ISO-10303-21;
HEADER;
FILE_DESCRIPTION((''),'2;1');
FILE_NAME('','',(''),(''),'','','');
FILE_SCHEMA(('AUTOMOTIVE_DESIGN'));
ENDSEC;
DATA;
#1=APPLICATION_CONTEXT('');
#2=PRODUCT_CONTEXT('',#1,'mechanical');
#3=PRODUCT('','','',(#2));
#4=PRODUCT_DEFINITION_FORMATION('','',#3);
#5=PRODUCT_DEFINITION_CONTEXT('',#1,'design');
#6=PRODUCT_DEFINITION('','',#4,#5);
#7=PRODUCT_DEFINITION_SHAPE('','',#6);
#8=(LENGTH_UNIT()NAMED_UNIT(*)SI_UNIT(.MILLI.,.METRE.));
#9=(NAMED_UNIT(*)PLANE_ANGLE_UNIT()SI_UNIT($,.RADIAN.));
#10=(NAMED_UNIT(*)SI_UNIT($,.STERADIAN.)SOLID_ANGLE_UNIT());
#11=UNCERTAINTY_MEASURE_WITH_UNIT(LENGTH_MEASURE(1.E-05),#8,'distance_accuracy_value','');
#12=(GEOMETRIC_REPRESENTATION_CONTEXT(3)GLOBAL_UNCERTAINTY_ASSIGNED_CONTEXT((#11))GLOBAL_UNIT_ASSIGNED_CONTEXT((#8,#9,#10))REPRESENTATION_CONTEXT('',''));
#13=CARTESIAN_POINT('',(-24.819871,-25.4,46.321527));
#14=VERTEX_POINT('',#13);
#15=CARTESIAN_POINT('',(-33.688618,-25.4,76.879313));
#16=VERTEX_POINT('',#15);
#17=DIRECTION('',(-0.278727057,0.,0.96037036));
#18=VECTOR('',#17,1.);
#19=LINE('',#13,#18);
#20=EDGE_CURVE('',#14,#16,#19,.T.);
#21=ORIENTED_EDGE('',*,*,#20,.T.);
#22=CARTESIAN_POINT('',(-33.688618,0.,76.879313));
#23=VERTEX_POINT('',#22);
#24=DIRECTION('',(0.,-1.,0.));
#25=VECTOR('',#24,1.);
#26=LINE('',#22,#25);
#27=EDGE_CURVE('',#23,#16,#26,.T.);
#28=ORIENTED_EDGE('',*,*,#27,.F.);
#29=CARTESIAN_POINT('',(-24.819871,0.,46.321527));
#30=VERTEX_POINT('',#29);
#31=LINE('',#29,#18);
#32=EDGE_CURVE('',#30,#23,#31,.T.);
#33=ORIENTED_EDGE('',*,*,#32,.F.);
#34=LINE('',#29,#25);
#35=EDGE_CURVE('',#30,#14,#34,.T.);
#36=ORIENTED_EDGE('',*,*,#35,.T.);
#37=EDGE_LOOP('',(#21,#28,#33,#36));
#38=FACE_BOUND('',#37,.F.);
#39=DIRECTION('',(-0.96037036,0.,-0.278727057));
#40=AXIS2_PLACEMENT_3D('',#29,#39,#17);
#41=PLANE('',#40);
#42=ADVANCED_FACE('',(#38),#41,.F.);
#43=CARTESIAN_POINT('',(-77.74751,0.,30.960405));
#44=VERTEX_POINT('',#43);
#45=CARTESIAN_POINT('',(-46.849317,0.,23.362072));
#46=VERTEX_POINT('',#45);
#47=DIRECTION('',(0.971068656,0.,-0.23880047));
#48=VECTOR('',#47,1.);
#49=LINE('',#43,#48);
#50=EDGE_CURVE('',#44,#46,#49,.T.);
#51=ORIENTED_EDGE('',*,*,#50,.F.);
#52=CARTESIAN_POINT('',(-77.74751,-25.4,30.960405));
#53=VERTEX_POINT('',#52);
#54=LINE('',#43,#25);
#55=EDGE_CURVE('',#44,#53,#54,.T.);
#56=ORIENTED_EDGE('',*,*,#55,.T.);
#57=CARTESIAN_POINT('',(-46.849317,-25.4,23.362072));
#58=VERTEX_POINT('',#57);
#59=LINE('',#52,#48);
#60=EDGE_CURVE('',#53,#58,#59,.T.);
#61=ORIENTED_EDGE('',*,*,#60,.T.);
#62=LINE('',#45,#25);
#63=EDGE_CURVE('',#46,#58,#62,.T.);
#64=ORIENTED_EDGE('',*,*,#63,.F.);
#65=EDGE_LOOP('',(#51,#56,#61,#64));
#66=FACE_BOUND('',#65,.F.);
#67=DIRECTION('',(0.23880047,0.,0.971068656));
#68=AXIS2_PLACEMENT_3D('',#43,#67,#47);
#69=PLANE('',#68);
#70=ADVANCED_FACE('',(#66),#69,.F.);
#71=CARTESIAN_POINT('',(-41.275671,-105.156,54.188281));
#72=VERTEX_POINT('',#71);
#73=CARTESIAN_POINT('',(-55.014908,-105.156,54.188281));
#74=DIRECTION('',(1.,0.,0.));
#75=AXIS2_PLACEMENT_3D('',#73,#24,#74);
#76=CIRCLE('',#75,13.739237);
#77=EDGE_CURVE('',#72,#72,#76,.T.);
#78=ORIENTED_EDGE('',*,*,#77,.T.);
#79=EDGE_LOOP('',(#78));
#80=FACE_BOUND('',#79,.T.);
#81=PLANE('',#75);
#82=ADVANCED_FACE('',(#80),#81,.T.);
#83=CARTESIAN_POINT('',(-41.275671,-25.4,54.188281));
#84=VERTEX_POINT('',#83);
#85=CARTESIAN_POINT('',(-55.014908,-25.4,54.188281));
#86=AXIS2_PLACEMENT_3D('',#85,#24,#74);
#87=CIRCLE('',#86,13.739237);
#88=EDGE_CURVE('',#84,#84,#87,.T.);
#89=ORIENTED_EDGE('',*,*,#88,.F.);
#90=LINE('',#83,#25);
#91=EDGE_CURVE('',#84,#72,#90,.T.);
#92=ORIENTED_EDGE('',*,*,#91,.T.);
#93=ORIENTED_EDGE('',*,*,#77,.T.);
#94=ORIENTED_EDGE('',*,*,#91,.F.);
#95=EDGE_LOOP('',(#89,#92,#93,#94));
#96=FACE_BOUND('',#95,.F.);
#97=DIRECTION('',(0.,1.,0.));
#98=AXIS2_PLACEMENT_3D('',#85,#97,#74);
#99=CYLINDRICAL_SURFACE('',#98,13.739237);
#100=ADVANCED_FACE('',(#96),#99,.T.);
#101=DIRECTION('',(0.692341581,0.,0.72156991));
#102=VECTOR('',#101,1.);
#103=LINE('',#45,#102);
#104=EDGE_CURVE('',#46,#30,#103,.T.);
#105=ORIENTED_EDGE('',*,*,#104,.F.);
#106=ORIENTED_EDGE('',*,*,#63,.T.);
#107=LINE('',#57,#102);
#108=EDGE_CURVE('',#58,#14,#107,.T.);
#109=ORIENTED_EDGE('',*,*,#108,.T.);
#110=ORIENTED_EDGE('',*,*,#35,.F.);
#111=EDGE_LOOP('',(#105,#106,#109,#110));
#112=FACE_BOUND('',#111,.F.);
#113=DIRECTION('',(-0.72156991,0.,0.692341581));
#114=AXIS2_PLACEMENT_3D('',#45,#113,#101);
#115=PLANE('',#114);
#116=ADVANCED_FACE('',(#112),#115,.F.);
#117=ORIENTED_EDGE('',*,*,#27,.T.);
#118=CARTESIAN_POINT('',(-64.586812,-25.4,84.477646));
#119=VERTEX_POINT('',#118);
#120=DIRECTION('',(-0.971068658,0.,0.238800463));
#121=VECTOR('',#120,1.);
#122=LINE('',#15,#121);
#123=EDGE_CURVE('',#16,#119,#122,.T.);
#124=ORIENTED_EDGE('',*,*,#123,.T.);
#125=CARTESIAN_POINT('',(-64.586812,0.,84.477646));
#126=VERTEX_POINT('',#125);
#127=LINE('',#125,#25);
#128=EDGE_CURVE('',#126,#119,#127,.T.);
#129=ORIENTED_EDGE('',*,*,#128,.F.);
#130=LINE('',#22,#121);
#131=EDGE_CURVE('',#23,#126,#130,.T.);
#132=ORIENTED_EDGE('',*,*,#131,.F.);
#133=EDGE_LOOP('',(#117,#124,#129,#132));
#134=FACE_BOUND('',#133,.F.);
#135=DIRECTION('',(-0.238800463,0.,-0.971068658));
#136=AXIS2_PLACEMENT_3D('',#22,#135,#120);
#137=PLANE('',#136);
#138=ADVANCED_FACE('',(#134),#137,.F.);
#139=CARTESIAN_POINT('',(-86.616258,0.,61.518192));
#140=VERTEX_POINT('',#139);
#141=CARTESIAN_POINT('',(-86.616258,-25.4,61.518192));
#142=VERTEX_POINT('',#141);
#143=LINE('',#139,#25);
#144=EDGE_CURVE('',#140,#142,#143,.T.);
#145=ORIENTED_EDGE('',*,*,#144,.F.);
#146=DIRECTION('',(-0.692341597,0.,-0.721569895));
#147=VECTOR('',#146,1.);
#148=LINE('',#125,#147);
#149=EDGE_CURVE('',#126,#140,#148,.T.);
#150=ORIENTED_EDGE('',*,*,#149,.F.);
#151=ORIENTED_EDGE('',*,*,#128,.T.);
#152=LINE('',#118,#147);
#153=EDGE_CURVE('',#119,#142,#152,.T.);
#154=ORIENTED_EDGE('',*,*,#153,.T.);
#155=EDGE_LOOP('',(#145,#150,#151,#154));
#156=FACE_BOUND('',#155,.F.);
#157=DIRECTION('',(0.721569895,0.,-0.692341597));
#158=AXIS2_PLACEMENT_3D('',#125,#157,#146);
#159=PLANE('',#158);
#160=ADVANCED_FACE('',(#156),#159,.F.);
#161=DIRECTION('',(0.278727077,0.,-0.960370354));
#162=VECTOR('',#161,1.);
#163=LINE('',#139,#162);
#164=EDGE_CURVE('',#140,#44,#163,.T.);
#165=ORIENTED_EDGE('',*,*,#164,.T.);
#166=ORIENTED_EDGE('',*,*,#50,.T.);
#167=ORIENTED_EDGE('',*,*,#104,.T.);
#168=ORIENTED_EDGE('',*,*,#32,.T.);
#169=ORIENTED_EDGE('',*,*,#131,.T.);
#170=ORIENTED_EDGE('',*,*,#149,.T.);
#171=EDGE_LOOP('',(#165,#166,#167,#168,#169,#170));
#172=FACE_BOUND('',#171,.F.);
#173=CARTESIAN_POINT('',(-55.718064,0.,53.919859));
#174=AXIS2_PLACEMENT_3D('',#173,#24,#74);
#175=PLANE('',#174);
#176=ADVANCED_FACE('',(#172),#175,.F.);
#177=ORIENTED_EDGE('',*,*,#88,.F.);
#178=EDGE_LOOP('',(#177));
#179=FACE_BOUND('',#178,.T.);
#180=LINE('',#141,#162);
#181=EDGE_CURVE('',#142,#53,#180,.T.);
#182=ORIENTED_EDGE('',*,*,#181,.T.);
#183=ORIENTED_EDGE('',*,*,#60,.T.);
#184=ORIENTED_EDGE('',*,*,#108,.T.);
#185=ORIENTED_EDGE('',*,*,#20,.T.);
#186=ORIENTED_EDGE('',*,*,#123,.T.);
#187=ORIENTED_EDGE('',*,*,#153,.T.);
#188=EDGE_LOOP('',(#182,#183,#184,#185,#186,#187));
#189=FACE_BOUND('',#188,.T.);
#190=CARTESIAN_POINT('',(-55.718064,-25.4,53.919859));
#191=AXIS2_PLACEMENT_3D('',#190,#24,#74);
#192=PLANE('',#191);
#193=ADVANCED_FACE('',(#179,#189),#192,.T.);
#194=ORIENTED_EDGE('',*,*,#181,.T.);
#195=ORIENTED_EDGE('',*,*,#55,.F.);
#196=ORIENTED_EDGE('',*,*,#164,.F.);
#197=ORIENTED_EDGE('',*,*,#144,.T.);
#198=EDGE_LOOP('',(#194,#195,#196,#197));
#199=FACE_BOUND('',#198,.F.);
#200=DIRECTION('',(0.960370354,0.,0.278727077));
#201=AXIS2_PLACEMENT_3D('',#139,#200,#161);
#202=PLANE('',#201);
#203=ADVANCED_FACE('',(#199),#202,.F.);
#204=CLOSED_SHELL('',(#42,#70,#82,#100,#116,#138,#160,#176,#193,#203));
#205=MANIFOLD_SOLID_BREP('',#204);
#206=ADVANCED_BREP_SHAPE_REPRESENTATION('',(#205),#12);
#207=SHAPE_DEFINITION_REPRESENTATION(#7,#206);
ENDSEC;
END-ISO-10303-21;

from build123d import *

# Parameters (mm, degrees)
F1_DEPTH = 25.4
F2_R     = 13.739237
F3_DEPTH = 79.756


with BuildPart() as f1:
    # F0 (on Front) → F1 (new body)
    with BuildSketch(Plane.XZ):
        Polygon((-77.74751, 30.960405), (-46.849317, 23.362072), (-24.819871, 46.321527), (-33.688618, 76.879313), (-64.586812, 84.477646), (-86.616258, 61.518192), align=None)
    extrude(amount=F1_DEPTH)

    # F2 (on face) → F3 (join)
    with BuildSketch(Plane.XZ.offset(25.4)):
        with Locations((-55.014908, 54.188281)):
            Circle(F2_R)
    extrude(amount=F3_DEPTH)


solid = f1.part
